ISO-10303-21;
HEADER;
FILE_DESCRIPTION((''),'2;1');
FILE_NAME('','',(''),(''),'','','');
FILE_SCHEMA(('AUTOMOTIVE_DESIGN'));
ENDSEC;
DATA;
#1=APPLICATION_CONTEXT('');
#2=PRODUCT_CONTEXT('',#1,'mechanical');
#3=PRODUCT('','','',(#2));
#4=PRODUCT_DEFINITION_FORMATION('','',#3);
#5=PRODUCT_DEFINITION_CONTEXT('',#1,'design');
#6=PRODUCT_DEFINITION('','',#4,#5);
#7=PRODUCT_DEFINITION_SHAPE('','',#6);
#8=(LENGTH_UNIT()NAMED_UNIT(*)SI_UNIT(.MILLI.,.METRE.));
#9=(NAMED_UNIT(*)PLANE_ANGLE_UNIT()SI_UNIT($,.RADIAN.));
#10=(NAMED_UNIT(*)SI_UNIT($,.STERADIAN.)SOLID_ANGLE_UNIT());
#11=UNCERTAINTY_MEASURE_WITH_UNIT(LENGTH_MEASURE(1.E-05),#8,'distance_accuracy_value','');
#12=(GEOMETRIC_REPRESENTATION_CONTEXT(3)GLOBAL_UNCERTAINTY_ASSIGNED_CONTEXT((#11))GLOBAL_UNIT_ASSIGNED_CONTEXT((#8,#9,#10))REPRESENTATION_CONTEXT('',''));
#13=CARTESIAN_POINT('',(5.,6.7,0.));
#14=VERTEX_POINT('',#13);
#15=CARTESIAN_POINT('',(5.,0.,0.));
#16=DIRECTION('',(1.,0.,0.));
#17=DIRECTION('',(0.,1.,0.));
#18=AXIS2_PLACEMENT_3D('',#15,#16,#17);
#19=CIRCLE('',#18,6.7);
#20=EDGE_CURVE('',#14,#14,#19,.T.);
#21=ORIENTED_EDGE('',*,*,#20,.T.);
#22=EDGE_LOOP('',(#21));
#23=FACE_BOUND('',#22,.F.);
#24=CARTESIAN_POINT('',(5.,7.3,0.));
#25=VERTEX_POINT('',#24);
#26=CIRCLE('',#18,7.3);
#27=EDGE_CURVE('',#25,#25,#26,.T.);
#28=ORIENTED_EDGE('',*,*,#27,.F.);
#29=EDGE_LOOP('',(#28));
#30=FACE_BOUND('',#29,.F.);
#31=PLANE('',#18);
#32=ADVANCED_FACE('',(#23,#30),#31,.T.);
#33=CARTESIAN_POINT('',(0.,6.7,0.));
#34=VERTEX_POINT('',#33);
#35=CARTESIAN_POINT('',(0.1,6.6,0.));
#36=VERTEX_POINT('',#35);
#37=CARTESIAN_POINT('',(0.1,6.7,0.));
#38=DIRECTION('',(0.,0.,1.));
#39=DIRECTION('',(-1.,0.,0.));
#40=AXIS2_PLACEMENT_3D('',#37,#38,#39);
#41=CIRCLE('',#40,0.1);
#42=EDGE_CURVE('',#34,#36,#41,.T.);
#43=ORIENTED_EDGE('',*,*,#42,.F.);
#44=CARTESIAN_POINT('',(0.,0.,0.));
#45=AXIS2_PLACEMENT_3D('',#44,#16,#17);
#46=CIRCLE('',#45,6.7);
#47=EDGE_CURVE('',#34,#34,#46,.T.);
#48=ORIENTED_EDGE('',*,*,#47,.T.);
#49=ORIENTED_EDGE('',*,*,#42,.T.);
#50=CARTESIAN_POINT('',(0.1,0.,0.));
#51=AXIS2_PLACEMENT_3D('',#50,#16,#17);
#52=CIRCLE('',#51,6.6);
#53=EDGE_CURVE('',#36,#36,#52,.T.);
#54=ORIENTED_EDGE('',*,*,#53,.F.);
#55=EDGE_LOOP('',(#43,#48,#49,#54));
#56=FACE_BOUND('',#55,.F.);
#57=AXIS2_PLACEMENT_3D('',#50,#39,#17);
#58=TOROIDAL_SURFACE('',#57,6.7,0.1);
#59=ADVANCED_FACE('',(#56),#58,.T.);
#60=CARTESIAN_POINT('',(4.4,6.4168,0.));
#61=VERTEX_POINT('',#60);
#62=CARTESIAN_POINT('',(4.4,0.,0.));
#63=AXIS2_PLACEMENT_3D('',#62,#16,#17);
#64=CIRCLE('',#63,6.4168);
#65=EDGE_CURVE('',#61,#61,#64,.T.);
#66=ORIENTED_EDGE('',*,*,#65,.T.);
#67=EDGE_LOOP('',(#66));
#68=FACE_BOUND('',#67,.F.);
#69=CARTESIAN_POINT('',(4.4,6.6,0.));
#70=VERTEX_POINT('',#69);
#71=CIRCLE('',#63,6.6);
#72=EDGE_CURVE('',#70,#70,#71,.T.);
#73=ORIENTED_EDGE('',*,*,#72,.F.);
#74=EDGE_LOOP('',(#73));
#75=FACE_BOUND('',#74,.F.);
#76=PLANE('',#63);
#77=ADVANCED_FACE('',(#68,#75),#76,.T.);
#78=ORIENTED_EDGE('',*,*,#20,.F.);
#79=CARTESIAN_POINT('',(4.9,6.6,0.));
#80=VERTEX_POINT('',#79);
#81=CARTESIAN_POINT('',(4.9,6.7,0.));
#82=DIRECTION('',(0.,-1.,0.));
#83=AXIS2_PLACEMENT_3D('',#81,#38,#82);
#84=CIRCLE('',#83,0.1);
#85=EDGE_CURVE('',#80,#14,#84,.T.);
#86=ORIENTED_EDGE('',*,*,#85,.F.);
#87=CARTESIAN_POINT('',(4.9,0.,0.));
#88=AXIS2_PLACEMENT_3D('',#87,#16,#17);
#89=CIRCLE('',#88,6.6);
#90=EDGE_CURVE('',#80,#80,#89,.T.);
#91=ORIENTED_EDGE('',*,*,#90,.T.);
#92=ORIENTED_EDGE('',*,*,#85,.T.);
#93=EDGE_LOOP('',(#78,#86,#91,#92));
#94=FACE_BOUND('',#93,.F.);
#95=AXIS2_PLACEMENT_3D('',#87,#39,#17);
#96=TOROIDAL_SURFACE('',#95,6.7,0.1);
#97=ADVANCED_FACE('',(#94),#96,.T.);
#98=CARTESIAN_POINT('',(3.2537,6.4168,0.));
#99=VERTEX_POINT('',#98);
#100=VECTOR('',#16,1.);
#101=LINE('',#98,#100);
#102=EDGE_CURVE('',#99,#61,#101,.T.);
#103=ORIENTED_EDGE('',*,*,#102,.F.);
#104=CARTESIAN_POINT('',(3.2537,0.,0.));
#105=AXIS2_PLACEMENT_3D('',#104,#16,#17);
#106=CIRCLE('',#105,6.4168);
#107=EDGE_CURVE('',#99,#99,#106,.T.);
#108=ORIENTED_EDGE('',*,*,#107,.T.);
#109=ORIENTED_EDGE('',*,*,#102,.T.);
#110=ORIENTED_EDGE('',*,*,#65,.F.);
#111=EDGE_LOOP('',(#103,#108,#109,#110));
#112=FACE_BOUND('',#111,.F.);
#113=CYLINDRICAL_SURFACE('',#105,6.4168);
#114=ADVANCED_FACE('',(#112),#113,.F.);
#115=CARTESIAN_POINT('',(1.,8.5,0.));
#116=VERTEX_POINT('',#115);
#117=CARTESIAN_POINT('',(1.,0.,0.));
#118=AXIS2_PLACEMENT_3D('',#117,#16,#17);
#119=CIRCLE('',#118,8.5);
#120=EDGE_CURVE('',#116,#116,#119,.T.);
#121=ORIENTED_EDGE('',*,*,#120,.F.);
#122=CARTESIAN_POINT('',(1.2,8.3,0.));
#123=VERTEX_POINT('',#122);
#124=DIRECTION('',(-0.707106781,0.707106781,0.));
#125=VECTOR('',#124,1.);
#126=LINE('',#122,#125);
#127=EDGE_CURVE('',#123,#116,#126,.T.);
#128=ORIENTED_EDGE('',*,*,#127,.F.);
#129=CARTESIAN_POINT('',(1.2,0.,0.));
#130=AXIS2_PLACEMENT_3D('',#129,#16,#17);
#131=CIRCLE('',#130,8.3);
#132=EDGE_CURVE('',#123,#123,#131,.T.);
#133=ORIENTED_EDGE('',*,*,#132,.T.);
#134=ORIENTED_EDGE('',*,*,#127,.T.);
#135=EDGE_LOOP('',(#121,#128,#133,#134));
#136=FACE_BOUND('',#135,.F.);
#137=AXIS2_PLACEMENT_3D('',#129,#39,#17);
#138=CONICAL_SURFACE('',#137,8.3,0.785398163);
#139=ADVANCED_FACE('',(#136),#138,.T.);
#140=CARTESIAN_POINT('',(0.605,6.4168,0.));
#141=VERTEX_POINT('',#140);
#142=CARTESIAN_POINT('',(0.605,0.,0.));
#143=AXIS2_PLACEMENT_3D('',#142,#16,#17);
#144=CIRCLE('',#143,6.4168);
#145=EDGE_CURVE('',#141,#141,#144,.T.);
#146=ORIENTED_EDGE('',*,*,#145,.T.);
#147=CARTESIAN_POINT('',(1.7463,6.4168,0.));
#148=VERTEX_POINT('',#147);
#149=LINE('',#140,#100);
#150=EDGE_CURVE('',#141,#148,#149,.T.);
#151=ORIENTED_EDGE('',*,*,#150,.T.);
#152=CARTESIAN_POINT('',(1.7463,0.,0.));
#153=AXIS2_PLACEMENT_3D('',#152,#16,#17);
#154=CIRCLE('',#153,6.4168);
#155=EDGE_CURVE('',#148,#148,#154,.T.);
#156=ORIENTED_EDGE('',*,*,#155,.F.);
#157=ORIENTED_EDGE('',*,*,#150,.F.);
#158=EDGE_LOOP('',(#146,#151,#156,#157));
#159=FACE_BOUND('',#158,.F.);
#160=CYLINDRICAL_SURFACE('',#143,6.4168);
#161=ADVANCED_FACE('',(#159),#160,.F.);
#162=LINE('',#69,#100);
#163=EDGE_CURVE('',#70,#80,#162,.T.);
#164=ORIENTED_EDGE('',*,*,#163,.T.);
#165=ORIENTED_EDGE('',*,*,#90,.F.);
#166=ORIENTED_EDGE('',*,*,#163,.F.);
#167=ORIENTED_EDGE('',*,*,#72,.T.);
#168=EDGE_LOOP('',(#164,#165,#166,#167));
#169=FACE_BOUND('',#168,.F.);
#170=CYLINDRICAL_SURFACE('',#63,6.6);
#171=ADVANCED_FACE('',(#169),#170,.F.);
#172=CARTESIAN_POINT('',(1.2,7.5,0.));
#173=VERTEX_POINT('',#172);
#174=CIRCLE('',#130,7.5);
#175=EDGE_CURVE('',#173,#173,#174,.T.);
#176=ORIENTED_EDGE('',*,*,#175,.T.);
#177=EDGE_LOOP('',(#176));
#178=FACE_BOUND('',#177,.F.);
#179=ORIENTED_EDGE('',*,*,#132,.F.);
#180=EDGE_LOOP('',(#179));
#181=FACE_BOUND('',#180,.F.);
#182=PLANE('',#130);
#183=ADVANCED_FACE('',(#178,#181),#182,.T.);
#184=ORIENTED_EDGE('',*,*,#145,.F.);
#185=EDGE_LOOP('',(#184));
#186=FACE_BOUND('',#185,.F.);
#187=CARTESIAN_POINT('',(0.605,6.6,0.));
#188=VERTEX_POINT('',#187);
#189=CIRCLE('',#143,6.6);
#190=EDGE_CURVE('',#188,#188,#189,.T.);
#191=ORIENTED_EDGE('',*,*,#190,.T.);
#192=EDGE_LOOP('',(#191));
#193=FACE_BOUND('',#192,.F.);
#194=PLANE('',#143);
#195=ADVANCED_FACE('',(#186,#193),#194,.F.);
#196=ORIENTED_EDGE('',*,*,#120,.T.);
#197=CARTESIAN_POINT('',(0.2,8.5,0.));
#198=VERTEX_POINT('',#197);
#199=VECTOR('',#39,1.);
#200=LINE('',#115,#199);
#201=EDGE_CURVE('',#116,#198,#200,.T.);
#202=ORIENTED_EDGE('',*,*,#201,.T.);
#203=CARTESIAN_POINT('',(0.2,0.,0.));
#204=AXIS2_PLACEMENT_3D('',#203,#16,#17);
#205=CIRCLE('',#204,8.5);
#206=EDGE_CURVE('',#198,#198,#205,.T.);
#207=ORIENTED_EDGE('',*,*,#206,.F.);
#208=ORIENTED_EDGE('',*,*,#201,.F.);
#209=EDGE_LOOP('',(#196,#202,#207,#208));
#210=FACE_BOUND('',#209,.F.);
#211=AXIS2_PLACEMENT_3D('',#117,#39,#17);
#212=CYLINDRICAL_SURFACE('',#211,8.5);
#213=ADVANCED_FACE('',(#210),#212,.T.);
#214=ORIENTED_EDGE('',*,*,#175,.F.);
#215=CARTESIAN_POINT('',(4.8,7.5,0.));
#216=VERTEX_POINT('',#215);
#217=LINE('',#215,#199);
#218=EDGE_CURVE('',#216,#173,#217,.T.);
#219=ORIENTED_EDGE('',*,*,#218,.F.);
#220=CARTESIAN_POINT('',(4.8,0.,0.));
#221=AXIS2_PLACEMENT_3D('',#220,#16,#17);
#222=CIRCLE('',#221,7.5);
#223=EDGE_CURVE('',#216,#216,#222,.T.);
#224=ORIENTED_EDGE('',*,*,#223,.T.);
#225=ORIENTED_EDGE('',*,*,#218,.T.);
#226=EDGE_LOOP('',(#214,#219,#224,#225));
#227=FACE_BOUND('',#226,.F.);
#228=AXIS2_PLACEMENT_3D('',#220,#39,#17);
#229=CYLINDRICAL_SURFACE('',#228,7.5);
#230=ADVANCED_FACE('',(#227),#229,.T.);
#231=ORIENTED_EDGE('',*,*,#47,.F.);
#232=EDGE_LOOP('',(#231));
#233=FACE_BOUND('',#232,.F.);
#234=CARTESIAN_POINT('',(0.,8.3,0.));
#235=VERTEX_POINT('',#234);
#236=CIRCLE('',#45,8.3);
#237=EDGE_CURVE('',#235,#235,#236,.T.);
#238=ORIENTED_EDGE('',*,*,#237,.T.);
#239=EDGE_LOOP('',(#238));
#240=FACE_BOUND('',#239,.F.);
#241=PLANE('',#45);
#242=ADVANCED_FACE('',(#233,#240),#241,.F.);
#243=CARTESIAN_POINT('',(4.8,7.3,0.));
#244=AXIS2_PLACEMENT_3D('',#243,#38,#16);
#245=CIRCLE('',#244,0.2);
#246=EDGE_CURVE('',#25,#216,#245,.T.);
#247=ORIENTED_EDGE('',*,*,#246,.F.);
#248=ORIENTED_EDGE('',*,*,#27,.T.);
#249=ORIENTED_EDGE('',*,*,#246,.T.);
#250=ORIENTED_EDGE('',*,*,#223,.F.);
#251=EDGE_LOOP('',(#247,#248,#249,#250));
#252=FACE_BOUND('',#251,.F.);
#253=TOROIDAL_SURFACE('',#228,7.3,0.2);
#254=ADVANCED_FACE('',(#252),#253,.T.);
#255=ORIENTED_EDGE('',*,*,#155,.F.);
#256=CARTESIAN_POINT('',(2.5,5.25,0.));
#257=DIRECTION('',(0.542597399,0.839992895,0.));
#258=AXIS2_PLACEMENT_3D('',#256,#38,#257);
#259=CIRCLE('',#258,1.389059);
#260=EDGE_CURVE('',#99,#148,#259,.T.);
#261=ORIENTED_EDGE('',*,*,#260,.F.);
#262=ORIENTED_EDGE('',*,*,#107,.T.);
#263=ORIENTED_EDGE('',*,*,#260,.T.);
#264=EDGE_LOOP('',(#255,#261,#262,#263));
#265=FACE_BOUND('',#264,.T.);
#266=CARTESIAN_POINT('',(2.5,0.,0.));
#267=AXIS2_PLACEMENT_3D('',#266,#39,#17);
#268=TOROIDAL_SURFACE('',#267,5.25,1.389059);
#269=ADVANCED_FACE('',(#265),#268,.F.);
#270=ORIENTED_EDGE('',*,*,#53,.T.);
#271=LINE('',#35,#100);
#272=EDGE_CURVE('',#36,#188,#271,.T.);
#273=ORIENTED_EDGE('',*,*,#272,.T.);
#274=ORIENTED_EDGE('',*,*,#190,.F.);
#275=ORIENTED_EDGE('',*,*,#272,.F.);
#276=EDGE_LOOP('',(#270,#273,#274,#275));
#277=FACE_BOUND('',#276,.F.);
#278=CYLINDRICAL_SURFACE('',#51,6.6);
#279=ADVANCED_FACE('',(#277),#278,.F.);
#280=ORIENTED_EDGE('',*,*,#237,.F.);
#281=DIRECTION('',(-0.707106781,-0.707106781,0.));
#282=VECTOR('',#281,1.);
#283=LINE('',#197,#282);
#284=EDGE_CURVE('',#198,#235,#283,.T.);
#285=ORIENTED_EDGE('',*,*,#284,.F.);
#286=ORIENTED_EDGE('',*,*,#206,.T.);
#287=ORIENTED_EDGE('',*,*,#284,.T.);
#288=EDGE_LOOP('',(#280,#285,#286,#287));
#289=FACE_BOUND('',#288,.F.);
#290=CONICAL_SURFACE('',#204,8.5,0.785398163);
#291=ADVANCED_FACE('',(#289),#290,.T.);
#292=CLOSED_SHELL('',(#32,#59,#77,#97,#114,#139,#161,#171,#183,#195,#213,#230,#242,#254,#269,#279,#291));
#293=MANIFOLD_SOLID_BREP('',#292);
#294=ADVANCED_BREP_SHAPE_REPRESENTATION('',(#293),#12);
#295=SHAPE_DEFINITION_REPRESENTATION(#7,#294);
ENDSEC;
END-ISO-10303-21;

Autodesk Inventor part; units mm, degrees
sketch "Sketch_3" plane through (0, 0, 0) normal (0, 0, 1) x (1, 0, 0)
  line L0 (4.8, 0) -> (0, 0)
  line L1 (0, 8.3) -> (0, 6.7)
  arc A0 (0, 6.7) -> (0.1, 6.6) centre (0.1, 6.7) ccw
  line L2 (0.1, 6.6) -> (0.605, 6.6)
  line L3 (0.605, 6.6) -> (0.605, 6.4168)
  line L4 (0.605, 6.4168) -> (1.7463, 6.4168)
  arc A1 (3.2537, 6.4168) -> (1.7463, 6.4168) centre (2.5, 5.25) ccw
  line L5 (3.2537, 6.4168) -> (4.4, 6.4168)
  line L6 (4.4, 6.4168) -> (4.4, 6.6)
  line L7 (4.4, 6.6) -> (4.9, 6.6)
  arc A2 (4.9, 6.6) -> (5, 6.7) centre (4.9, 6.7) ccw
  line L8 (5, 6.7) -> (5, 7.3)
  arc A3 (5, 7.3) -> (4.8, 7.5) centre (4.8, 7.3) ccw
  line L9 (4.8, 7.5) -> (1.2, 7.5)
  line L10 (1.2, 7.5) -> (1.2, 8.3)
  line L11 (1.2, 8.3) -> (1, 8.5)
  line L12 (1, 8.5) -> (0.2, 8.5)
  line L13 (0.2, 8.5) -> (0, 8.3)
revolve "Revolution1" add sketch "Sketch_3" angle 360 about axis through (4.8, 0, 0) along (1, 0, 0)
ref_plane "1_XY" through (2.5, 0, 0) normal (1, 0, 0) x (0, 0, -1)
ref_plane "1_YZ" through (2.5, 0, 0) normal (0, 0, -1) x (0, 1, 0)
ref_plane "1_ZX" through (2.5, 0, 0) normal (0, 1, 0) x (1, 0, 0)
properties part number "RF-1560ZZ_or" material "鋼、炭素鋼"
